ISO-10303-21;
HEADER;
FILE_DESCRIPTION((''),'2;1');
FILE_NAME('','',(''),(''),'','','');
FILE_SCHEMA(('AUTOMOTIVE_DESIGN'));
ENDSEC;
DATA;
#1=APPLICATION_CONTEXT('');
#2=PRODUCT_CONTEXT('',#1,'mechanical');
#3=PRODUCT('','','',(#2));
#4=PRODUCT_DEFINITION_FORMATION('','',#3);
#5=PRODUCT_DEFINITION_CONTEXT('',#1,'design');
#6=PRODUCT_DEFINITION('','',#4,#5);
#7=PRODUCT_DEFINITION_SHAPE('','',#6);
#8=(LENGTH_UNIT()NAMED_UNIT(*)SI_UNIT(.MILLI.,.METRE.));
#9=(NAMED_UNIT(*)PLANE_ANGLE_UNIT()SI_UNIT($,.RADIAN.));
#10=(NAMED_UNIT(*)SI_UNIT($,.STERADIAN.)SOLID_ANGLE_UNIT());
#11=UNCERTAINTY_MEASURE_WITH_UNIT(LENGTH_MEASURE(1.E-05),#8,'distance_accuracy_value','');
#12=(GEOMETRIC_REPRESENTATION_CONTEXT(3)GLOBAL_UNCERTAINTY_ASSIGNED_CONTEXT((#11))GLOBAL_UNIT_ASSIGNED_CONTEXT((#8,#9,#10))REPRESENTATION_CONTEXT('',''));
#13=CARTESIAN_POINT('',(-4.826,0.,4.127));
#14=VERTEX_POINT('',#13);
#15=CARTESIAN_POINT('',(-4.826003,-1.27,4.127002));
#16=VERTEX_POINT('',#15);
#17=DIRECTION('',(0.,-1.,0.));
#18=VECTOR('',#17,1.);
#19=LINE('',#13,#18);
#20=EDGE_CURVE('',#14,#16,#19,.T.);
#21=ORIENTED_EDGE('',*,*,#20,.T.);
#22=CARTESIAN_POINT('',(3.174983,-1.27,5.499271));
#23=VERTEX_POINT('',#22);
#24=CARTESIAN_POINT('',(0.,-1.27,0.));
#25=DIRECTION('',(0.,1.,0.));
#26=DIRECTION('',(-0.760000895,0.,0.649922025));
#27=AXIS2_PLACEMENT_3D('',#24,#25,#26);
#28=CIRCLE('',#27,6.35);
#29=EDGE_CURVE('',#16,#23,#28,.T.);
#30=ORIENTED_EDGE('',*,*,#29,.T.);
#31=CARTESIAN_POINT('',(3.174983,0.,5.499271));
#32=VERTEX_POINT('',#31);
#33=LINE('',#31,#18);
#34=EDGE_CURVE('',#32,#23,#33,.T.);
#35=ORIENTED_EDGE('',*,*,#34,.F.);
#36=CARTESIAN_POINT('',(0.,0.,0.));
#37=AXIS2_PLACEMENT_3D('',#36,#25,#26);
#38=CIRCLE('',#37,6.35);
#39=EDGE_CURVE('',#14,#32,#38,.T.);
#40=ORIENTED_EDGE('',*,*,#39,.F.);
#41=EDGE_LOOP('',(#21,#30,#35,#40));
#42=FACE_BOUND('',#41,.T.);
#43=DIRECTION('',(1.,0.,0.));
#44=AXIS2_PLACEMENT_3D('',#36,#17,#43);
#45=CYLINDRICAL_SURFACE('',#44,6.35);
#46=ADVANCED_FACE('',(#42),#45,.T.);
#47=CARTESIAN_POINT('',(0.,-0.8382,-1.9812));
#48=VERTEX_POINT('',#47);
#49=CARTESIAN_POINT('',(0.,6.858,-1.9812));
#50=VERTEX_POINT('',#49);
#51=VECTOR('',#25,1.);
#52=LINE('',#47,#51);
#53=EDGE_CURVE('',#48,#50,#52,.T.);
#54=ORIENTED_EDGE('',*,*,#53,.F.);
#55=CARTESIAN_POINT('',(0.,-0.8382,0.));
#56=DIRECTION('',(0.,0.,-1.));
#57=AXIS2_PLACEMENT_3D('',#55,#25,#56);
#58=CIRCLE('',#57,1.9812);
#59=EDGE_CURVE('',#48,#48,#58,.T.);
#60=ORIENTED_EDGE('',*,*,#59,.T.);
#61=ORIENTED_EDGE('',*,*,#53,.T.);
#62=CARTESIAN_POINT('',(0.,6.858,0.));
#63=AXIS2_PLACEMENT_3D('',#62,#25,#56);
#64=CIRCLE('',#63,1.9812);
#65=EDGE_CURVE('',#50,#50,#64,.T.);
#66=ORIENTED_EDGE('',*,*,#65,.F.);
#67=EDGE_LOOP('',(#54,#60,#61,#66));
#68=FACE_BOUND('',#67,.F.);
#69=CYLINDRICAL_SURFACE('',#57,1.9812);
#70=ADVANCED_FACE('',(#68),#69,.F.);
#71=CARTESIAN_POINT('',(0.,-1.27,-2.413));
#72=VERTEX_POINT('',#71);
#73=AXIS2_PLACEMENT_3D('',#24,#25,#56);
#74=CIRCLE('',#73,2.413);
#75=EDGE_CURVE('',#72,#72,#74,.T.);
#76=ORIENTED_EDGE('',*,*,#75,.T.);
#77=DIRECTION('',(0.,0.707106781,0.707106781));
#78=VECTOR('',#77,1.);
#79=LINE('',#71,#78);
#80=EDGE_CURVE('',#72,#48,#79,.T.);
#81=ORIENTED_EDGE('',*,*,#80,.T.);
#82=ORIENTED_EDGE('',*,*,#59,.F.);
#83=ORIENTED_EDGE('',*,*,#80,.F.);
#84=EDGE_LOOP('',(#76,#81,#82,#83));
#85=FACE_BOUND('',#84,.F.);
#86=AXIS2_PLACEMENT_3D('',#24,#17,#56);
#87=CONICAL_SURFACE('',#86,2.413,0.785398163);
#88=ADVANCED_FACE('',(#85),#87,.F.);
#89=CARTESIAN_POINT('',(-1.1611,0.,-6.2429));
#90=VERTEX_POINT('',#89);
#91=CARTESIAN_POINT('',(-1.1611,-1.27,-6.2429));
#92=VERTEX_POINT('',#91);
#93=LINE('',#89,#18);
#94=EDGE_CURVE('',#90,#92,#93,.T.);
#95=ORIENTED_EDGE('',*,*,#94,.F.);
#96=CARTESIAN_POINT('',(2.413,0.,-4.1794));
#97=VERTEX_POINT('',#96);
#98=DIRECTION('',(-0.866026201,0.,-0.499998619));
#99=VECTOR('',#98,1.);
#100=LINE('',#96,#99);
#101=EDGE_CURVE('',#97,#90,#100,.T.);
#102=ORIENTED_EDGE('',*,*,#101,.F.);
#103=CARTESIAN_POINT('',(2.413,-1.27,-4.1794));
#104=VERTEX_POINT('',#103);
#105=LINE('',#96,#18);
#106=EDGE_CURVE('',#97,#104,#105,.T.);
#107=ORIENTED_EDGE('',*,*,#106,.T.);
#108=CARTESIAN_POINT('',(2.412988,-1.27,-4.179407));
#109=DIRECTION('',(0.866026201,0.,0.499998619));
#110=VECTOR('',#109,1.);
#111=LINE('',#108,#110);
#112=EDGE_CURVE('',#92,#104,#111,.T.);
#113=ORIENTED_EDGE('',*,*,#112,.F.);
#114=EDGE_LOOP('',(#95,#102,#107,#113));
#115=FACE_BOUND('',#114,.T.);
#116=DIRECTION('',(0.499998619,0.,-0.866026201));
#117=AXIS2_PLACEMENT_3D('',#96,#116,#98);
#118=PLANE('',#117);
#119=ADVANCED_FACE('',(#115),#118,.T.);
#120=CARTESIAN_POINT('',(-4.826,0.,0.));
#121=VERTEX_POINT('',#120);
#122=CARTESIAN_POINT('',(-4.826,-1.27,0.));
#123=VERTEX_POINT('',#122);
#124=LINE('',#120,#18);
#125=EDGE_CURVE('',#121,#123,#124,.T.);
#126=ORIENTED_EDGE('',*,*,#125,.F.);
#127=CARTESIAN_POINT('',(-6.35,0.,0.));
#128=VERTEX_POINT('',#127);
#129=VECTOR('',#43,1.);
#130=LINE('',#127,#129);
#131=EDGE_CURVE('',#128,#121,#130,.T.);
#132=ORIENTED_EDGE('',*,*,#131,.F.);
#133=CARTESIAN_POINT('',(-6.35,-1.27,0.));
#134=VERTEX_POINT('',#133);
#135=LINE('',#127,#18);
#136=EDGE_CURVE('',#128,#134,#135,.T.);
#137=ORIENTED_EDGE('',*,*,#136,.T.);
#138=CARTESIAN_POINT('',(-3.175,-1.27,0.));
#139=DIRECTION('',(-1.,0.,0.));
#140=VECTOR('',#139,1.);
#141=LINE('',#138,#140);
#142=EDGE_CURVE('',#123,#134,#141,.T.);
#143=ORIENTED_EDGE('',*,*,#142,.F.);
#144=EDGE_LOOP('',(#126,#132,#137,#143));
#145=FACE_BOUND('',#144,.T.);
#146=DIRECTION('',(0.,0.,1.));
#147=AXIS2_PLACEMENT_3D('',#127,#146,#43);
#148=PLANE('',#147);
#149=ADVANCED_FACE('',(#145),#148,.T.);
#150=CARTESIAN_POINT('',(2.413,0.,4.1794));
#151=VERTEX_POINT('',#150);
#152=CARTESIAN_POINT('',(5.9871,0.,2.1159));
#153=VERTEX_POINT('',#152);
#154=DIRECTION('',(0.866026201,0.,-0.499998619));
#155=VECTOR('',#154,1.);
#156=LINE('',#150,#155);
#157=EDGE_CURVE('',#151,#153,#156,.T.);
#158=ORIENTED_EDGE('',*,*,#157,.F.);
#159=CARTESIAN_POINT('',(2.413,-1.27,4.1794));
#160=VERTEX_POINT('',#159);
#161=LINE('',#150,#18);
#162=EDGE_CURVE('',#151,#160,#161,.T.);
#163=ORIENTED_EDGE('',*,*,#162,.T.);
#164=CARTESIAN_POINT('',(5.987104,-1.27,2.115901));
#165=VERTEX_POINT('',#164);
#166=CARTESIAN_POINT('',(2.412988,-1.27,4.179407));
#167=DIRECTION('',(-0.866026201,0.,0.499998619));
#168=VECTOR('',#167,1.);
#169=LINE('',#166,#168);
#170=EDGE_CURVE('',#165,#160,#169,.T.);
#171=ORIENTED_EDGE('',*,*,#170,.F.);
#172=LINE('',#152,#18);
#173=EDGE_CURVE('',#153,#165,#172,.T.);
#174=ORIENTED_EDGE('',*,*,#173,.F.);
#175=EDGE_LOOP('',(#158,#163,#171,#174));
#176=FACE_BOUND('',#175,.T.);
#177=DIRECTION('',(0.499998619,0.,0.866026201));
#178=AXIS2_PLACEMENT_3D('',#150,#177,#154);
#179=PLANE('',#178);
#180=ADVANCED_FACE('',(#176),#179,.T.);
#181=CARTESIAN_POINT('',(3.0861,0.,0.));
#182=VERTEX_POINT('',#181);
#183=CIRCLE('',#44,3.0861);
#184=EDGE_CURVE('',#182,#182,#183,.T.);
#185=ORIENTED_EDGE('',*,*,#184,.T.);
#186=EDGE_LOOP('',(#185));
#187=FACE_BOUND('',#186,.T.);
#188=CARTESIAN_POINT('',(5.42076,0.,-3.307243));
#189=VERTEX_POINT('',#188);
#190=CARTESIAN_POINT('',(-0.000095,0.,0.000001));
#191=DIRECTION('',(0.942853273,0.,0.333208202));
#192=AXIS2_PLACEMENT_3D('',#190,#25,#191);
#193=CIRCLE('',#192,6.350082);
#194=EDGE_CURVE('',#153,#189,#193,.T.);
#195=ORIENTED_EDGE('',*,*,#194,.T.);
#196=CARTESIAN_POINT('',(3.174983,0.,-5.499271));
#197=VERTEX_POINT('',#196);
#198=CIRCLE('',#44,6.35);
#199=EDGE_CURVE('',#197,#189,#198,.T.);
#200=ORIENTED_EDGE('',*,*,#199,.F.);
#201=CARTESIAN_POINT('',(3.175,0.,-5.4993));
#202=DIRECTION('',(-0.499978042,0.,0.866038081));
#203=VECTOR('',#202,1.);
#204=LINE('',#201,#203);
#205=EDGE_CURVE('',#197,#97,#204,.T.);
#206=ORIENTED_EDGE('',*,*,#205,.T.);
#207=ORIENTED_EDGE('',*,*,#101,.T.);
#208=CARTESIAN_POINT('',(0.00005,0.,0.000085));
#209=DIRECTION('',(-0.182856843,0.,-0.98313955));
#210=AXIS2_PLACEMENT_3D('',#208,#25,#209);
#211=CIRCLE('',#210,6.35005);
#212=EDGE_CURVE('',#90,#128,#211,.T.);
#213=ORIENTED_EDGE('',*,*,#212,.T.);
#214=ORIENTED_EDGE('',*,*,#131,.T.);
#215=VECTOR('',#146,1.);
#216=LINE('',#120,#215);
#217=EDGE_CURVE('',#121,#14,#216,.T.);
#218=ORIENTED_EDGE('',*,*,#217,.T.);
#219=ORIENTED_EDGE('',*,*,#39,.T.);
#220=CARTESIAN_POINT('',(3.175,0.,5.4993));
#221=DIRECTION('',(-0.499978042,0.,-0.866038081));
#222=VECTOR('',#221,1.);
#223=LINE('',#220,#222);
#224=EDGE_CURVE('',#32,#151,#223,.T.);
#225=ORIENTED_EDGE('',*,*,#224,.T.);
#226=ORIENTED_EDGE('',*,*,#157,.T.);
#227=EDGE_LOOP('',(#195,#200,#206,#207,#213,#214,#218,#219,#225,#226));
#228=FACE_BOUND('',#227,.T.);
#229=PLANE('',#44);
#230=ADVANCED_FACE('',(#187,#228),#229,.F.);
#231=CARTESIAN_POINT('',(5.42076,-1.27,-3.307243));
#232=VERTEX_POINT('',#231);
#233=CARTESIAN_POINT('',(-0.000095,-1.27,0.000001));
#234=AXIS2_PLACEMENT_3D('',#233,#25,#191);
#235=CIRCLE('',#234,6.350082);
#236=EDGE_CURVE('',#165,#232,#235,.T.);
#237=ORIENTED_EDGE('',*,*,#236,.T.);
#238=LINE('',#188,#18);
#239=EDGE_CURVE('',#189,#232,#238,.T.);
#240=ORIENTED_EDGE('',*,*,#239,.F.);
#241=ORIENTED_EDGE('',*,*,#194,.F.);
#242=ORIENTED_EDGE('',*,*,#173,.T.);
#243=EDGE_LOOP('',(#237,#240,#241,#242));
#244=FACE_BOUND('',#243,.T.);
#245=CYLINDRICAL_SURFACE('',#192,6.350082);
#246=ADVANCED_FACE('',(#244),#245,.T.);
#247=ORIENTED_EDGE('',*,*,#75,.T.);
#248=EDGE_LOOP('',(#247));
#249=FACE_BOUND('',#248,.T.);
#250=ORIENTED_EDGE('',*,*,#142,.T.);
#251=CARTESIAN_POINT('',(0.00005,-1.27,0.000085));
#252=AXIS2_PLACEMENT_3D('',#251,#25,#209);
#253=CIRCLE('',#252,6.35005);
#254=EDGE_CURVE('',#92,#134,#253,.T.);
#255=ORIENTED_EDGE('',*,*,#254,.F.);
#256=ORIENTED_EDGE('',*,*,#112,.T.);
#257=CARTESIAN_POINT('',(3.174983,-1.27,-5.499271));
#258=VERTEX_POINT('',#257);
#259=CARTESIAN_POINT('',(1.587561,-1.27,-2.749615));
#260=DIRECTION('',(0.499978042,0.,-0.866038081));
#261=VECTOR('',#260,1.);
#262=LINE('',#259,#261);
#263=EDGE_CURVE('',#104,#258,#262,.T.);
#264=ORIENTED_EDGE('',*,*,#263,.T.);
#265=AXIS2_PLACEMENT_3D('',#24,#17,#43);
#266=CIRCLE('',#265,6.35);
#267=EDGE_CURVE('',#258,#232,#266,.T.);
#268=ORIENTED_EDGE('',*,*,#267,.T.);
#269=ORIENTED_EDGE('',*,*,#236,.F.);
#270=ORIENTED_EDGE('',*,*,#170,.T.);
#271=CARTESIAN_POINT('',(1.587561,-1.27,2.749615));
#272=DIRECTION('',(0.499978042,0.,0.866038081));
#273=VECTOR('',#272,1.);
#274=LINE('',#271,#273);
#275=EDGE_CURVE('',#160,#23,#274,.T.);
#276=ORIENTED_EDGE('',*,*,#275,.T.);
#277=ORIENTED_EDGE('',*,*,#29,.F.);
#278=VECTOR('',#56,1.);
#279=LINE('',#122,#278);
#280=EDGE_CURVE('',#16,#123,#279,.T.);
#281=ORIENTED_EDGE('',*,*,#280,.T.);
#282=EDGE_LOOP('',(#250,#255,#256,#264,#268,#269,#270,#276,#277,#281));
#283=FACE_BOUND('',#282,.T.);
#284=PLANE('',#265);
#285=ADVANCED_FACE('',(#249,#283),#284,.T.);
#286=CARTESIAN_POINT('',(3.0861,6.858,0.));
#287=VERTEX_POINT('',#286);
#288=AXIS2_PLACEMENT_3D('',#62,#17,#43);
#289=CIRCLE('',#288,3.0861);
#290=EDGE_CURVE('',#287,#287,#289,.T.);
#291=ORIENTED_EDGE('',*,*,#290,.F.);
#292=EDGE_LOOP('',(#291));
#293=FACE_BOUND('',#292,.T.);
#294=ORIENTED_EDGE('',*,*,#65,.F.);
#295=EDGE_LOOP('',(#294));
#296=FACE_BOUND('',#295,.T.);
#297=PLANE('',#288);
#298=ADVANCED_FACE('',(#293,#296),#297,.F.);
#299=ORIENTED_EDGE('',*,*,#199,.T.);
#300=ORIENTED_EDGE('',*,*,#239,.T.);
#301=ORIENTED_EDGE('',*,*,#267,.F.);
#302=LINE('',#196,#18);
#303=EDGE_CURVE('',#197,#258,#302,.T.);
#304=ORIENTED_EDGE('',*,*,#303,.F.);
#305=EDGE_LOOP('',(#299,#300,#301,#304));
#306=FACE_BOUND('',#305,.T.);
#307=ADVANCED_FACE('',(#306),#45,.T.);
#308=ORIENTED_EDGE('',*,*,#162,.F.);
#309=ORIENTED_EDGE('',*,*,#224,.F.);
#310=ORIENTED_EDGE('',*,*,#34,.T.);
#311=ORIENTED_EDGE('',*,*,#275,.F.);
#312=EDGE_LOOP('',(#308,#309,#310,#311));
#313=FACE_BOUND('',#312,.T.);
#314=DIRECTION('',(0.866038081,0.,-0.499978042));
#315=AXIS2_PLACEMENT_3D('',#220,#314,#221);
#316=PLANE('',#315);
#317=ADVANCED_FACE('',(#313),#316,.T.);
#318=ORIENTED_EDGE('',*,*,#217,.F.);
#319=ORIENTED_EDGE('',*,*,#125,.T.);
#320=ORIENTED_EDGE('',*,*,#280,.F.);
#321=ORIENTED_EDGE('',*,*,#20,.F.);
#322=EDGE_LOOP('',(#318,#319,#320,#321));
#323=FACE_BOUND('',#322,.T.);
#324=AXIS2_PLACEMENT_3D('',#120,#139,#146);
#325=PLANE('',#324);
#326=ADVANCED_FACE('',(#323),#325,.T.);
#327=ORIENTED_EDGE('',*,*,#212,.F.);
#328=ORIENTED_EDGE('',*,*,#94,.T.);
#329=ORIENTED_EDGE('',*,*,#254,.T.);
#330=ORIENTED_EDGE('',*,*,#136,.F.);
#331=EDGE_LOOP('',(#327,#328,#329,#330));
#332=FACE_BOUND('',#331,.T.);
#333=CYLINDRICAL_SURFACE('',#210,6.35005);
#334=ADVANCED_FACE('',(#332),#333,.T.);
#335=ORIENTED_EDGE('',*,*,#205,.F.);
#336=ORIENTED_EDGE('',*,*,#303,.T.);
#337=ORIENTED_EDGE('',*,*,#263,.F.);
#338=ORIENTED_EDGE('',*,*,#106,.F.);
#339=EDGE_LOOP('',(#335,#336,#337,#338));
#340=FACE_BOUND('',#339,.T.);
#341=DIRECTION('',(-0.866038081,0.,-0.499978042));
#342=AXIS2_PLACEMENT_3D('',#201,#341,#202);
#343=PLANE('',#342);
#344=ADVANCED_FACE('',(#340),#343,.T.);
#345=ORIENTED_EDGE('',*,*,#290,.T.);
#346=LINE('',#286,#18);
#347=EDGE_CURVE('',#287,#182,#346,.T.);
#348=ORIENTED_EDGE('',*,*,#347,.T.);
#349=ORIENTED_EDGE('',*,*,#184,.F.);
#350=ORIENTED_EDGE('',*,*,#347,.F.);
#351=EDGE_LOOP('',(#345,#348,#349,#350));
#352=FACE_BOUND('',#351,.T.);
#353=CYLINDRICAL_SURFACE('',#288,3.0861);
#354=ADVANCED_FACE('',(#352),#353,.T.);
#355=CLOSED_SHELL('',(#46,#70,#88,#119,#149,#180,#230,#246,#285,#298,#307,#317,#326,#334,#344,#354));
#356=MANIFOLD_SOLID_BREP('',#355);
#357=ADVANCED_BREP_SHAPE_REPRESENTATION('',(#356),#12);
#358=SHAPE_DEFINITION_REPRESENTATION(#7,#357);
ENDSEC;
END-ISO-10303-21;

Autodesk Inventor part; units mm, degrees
sketch "Sketch_1" plane through (0, 0, 0) normal (0, 0, 1) x (1, 0, 0)
  line L0 (0, -1.27) -> (0, 6.858)
  line L1 (0, 6.858) -> (3.0861, 6.858)
  line L2 (3.0861, 6.858) -> (3.0861, 0)
  line L3 (3.0861, 0) -> (6.35, 0)
  line L4 (6.35, 0) -> (6.35, -1.27)
  line L5 (6.35, -1.27) -> (0, -1.27)
  line L6 (0, -1.27) -> (0, 6.858)
revolve "Revolution1" add sketch "Sketch_1" angle 360 about axis through (0, -1.27, 0) along (0, -1, 0)
sketch "Sketch2" plane through (0, -1.27, 0) normal (0, -1, 0) x (1, 0, 0)
  point P0 (0, 0)
hole "Drilling 1" at (0, -1.27, 0) direction (0, 1, 0) diameter 3.9624 depth 8.128 countersink diameter 4.826 countersink angle 90 thread size "10-32 UNF" class "2B" standard "ANSI Unified Screw Threads"
sketch "Sketch_3" plane through (0, 0, 0) normal (0, 1, 0) x (-1, 0, 0)
  circle A0 centre (0, 0) radius 8.89
  line L0 (6.35, 0) -> (4.826, 0)
  line L1 (4.826, 0) -> (4.826, 4.127)
  arc A1 (4.826, 4.127) -> (-3.175, 5.4993) centre (0, 0) ccw
  line L2 (-3.175, 5.4993) -> (-2.413, 4.1794)
  line L3 (-2.413, 4.1794) -> (-5.9871, 2.1159)
  arc A2 (-5.9871, 2.1159) -> (-3.175, -5.4993) centre (0, 0) ccw
  line L4 (-3.175, -5.4993) -> (-2.413, -4.1794)
  line L5 (-2.413, -4.1794) -> (1.1611, -6.2429)
  arc A3 (1.1611, -6.2429) -> (6.35, 0) centre (0, 0) ccw
extrude "Extrusion1" cut sketch "Sketch_3" against normal blind 2.54
ref_plane "insert_XY" through (0, 0, 0) normal (0, 1, 0) x (1, 0, 0)
ref_plane "insert_YZ" through (0, 0, 0) normal (1, 0, 0) x (0, 0, -1)
ref_plane "insert_ZX" through (0, 0, 0) normal (0, 0, -1) x (0, 1, 0)
properties part number "6895_insert" material "Stainless Steel"
